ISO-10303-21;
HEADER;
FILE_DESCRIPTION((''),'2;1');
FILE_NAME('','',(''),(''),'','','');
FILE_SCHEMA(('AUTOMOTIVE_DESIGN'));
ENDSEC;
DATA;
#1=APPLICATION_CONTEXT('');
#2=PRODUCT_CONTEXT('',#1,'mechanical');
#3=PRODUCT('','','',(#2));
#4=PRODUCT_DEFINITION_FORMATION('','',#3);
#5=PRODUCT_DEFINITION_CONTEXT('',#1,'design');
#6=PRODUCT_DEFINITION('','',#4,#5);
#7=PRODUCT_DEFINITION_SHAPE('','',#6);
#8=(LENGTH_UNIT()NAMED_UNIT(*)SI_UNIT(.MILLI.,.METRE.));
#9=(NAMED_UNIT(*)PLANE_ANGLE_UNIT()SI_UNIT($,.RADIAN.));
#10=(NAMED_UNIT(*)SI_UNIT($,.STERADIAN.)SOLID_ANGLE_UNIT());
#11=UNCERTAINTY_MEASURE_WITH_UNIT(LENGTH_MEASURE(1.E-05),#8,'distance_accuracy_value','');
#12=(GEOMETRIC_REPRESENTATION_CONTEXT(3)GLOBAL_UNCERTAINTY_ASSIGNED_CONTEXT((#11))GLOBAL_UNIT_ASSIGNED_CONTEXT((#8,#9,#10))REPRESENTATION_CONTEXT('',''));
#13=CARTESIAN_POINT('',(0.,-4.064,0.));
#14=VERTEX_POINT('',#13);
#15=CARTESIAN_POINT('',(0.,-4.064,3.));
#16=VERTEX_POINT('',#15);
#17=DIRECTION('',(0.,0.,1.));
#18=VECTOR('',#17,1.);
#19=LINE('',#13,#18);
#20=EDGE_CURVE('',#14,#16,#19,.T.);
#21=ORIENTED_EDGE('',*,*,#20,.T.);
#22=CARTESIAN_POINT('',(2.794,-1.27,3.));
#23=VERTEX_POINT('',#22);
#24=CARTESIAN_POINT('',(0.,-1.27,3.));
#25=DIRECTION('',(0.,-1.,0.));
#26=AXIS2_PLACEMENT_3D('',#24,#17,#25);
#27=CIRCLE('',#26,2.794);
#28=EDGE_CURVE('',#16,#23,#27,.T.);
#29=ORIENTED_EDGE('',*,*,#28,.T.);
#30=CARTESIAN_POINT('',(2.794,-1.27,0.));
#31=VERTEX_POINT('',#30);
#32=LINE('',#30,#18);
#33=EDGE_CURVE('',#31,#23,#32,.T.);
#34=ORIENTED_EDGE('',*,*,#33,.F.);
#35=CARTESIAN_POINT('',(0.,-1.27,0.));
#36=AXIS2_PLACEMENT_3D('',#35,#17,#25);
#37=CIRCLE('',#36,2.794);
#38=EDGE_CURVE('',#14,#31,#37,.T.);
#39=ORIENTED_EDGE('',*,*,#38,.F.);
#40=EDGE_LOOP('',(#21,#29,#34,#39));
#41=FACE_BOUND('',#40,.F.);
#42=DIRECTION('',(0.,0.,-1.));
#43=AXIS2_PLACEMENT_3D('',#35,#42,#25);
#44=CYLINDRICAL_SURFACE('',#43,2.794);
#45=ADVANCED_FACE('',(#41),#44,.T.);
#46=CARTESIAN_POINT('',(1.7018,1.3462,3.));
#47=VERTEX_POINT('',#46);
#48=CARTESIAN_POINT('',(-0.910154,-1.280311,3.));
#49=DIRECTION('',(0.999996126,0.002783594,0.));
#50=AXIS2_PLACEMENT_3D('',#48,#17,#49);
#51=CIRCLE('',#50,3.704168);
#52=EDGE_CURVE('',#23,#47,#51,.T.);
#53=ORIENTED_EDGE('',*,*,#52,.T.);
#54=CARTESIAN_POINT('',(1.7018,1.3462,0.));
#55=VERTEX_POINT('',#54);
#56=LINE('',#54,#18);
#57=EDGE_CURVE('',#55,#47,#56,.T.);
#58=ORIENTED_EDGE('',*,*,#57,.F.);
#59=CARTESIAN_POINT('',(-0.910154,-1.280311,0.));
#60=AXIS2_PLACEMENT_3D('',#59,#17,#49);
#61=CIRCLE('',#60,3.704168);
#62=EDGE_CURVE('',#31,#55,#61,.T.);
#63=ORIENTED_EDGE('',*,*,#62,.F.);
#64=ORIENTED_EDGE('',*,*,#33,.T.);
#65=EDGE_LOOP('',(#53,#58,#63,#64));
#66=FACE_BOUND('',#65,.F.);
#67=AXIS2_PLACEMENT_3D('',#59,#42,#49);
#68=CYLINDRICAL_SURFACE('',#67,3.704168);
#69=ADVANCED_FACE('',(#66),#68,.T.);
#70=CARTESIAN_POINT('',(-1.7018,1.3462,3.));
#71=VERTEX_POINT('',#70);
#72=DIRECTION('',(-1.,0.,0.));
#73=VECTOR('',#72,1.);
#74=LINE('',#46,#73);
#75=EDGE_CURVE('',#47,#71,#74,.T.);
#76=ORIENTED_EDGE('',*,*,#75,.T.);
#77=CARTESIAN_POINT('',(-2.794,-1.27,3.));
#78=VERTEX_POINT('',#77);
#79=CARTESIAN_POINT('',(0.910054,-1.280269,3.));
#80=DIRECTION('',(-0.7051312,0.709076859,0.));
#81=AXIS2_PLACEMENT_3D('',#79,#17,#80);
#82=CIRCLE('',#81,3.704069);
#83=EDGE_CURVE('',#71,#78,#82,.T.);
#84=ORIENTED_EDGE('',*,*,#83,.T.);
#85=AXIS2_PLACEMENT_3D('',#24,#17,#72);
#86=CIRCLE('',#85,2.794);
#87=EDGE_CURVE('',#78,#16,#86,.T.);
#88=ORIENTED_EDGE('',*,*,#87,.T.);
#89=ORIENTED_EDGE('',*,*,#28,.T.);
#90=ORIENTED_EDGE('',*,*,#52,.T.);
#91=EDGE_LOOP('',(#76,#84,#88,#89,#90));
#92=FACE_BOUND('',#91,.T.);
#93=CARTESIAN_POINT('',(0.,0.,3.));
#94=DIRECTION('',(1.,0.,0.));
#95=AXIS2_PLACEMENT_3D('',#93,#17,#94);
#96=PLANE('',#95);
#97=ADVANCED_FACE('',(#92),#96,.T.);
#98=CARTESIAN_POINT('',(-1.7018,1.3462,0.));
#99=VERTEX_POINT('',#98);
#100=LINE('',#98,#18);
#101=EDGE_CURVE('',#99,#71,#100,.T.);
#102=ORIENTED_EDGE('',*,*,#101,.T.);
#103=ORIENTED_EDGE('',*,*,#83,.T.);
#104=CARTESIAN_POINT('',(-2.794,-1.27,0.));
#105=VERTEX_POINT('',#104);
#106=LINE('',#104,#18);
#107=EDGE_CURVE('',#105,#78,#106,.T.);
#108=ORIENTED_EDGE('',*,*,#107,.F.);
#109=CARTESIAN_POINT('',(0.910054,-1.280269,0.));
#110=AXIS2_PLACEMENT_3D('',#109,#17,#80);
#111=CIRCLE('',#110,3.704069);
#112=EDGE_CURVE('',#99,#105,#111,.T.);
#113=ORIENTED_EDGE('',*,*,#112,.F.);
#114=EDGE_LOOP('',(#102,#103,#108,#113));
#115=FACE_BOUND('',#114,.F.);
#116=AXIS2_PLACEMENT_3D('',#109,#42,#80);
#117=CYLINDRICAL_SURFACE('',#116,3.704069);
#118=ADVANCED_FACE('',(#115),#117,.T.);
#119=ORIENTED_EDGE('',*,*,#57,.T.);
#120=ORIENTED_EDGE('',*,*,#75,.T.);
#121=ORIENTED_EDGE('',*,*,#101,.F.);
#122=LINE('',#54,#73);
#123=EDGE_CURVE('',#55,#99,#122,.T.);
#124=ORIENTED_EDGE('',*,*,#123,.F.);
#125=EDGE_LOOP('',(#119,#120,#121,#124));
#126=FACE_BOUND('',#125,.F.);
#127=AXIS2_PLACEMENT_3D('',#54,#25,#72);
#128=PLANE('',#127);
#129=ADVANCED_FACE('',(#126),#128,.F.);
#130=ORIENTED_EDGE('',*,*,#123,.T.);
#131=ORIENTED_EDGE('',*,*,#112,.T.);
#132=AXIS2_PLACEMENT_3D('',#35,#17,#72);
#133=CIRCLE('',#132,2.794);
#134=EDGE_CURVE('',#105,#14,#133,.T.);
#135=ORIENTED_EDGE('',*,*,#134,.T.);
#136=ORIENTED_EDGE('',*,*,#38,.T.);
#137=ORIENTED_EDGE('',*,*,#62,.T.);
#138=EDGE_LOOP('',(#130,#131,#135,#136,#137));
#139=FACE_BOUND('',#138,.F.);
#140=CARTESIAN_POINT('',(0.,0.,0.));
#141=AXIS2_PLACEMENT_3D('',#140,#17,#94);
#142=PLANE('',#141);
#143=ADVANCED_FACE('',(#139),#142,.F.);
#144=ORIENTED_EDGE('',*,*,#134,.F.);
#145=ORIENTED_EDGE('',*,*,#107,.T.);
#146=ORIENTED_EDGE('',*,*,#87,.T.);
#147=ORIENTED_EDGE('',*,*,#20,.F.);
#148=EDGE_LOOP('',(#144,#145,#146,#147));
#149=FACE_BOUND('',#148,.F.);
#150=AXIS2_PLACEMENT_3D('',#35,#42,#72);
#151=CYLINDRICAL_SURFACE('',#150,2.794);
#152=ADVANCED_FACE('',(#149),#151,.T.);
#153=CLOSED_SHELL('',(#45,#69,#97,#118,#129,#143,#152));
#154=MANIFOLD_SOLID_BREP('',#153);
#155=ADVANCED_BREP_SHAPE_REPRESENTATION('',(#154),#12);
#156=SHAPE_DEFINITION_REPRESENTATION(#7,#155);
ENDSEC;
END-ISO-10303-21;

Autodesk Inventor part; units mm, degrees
ref_plane "YZ Plane" through (0, 0, 0) normal (1, 0, 0) x (0, 1, 0)
ref_plane "XZ Plane" through (0, 0, 0) normal (0, 1, 0) x (-1, 0, 0)
ref_plane "XY Plane" through (0, 0, 0) normal (0, 0, 1) x (1, 0, 0)
sketch "LEDT175, LED_28" plane through (0, 0, 0) normal (0, 0, 1) x (1, 0, 0)
  arc A0 (-2.794, -1.27) -> (0, -4.064) centre (0, -1.27) ccw
  arc A1 (0, -4.064) -> (2.794, -1.27) centre (0, -1.27) ccw
  arc A2 (2.794, -1.27) -> (1.7018, 1.3462) centre (-0.9101, -1.2803) ccw
  line L0 (1.7018, 1.3462) -> (-1.7018, 1.3462)
  arc A3 (-1.7018, 1.3462) -> (-2.794, -1.27) centre (0.9101, -1.2803) ccw
extrude "Extrusion1" add sketch "LEDT175, LED_28" along normal blind 3
properties part number "LED"
